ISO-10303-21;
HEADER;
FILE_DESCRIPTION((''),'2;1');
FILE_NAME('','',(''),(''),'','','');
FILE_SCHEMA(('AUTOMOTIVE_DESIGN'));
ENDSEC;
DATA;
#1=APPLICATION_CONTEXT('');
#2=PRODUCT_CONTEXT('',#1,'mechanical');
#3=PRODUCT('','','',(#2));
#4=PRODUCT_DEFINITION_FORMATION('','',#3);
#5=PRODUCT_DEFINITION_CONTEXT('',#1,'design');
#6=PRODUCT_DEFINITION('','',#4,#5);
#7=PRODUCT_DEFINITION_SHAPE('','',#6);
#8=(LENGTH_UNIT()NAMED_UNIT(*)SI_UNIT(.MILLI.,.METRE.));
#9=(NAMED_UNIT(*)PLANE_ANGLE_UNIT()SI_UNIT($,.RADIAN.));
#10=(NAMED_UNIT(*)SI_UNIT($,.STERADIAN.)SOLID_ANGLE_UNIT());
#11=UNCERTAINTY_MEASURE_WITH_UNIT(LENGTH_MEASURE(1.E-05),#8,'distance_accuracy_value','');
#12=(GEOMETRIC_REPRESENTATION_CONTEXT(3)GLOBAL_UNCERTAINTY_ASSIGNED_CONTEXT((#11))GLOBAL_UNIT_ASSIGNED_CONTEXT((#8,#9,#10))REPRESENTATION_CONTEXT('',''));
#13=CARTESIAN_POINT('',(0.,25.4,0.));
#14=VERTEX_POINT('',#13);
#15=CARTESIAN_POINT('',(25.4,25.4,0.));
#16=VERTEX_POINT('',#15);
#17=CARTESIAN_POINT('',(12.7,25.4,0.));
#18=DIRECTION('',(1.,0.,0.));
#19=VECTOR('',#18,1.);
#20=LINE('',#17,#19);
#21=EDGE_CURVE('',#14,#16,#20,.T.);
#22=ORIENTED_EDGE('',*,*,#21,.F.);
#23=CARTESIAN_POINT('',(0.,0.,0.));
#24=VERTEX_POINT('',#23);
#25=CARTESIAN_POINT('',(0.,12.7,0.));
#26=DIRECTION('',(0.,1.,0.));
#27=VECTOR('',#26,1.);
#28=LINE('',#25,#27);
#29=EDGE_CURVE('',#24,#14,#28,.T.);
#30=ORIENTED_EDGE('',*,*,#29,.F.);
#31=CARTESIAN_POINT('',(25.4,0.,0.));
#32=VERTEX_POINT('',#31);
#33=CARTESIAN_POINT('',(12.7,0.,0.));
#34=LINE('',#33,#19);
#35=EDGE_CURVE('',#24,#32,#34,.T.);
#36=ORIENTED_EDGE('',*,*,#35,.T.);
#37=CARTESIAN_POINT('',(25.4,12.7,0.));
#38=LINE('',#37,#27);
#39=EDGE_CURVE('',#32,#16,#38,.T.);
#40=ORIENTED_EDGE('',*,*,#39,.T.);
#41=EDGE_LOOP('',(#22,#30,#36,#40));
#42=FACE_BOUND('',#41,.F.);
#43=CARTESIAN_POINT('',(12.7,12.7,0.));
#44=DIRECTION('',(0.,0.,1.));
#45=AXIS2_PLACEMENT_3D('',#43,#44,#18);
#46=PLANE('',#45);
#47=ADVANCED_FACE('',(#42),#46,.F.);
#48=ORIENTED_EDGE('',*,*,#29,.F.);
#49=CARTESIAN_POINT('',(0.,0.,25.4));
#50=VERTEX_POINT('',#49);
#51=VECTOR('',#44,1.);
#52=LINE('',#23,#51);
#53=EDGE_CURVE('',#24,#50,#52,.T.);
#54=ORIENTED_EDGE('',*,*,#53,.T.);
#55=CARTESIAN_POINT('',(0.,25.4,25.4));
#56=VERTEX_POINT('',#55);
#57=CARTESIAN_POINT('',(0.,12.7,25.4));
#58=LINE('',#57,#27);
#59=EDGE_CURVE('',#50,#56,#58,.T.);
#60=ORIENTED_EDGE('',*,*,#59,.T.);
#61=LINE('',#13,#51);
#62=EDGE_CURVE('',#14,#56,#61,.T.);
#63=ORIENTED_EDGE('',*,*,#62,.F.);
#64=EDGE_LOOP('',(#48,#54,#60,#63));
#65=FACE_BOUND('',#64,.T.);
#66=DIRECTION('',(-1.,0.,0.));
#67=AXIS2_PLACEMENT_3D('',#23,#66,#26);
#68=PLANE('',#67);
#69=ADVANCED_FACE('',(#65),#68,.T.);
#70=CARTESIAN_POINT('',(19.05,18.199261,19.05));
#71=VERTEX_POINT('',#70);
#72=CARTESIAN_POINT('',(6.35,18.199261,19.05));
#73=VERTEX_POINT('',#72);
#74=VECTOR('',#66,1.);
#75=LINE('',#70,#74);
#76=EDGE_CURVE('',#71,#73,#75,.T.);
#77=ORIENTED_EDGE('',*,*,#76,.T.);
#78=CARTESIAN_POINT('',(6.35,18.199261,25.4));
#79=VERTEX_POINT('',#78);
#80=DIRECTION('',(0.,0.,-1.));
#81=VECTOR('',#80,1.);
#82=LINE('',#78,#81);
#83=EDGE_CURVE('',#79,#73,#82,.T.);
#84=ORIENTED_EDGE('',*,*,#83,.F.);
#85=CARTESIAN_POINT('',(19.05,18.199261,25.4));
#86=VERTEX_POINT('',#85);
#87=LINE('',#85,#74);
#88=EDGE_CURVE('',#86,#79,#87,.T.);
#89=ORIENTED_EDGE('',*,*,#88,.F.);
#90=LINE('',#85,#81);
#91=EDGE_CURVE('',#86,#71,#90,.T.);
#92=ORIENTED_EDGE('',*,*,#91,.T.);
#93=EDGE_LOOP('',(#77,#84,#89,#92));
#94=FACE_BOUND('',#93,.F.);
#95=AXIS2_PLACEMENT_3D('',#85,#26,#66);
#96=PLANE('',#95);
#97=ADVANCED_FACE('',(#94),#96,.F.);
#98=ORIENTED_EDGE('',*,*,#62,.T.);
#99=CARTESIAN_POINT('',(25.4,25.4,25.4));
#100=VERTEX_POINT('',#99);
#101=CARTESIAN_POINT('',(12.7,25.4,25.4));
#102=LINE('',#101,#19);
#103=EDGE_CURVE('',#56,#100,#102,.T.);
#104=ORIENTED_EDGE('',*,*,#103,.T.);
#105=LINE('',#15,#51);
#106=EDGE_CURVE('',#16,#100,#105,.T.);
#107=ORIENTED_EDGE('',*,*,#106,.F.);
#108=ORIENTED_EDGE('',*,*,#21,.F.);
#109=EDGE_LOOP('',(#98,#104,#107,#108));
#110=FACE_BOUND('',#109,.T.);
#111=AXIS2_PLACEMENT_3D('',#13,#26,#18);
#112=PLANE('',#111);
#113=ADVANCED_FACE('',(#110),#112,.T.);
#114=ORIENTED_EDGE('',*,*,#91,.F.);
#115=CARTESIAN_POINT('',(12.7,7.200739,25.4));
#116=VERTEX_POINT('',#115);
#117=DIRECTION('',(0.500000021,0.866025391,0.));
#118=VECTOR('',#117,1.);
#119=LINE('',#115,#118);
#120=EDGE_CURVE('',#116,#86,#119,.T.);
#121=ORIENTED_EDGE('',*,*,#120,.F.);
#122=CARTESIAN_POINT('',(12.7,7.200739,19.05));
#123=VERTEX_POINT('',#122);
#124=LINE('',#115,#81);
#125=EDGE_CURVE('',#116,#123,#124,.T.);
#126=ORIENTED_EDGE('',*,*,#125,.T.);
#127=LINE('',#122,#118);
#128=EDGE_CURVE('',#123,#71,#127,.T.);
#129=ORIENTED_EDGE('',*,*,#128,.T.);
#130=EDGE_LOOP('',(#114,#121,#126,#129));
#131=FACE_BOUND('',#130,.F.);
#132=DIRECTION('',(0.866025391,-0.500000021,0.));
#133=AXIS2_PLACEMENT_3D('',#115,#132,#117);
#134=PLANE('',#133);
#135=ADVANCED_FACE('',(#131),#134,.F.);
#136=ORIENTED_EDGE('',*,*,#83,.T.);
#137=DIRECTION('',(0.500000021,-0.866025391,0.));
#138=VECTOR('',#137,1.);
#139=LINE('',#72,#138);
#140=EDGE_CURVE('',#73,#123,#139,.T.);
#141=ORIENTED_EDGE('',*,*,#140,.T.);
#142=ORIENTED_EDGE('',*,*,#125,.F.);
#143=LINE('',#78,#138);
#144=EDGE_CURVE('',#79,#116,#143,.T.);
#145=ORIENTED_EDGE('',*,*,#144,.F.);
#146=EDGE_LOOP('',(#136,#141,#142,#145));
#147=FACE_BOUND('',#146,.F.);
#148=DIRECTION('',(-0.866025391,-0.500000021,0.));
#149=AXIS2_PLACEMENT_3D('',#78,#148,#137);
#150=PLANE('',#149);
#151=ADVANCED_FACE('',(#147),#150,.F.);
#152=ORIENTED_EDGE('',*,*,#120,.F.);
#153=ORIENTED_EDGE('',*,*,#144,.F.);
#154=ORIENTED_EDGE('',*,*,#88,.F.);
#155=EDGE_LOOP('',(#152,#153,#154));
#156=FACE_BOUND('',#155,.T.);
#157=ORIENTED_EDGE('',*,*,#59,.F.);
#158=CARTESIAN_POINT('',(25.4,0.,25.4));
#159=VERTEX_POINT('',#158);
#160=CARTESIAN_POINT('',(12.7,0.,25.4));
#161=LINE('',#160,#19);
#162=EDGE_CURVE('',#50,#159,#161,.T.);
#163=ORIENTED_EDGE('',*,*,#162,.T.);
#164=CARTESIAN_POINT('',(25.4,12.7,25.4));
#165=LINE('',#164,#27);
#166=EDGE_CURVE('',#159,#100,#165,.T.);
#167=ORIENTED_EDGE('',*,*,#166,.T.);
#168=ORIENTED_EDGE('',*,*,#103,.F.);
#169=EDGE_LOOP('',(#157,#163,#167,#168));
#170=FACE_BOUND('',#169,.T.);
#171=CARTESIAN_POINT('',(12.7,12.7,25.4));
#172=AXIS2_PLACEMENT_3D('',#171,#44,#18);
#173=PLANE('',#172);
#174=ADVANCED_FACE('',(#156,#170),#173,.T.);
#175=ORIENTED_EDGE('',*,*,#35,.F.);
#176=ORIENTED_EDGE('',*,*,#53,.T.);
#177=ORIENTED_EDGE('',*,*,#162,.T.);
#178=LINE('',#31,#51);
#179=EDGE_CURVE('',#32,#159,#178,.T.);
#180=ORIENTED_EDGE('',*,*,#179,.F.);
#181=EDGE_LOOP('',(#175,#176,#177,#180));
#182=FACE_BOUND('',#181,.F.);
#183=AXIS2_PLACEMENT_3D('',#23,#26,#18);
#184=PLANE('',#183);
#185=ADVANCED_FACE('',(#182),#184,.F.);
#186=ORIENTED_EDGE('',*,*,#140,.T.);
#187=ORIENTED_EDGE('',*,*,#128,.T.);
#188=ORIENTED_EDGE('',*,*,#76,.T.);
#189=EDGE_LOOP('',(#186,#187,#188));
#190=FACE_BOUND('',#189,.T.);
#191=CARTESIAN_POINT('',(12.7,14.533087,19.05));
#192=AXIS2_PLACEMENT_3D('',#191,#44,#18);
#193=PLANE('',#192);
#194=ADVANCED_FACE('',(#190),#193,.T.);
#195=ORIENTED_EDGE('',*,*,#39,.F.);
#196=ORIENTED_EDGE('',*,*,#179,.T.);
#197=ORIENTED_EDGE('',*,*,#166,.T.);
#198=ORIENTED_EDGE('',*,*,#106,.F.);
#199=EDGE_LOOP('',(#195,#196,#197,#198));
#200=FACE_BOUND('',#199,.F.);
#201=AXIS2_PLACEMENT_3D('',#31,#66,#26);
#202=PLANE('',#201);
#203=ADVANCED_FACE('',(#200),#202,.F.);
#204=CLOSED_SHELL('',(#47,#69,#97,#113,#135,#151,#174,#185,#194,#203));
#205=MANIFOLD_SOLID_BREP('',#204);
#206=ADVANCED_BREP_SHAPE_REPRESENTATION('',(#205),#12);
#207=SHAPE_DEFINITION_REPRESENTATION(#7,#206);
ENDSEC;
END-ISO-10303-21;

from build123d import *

# Parameters (mm, degrees)
F0_W     = 25.4
F0_H     = 25.4
F1_DEPTH = 25.4
F3_DEPTH = 6.35


with BuildPart() as f1:
    # F0 (on Top) → F1 (new body)
    with BuildSketch(Plane.XY):
        with Locations((12.7, 12.7)):
            Rectangle(F0_W, F0_H)
    extrude(amount=F1_DEPTH)

    # F2 (on face) → F3 (cut)
    with BuildSketch(Plane.XY.offset(25.4)):
        Polygon((19.05, 18.199261), (6.35, 18.199261), (12.7, 7.200739), align=None)
    extrude(amount=-F3_DEPTH, mode=Mode.SUBTRACT)


solid = f1.part
